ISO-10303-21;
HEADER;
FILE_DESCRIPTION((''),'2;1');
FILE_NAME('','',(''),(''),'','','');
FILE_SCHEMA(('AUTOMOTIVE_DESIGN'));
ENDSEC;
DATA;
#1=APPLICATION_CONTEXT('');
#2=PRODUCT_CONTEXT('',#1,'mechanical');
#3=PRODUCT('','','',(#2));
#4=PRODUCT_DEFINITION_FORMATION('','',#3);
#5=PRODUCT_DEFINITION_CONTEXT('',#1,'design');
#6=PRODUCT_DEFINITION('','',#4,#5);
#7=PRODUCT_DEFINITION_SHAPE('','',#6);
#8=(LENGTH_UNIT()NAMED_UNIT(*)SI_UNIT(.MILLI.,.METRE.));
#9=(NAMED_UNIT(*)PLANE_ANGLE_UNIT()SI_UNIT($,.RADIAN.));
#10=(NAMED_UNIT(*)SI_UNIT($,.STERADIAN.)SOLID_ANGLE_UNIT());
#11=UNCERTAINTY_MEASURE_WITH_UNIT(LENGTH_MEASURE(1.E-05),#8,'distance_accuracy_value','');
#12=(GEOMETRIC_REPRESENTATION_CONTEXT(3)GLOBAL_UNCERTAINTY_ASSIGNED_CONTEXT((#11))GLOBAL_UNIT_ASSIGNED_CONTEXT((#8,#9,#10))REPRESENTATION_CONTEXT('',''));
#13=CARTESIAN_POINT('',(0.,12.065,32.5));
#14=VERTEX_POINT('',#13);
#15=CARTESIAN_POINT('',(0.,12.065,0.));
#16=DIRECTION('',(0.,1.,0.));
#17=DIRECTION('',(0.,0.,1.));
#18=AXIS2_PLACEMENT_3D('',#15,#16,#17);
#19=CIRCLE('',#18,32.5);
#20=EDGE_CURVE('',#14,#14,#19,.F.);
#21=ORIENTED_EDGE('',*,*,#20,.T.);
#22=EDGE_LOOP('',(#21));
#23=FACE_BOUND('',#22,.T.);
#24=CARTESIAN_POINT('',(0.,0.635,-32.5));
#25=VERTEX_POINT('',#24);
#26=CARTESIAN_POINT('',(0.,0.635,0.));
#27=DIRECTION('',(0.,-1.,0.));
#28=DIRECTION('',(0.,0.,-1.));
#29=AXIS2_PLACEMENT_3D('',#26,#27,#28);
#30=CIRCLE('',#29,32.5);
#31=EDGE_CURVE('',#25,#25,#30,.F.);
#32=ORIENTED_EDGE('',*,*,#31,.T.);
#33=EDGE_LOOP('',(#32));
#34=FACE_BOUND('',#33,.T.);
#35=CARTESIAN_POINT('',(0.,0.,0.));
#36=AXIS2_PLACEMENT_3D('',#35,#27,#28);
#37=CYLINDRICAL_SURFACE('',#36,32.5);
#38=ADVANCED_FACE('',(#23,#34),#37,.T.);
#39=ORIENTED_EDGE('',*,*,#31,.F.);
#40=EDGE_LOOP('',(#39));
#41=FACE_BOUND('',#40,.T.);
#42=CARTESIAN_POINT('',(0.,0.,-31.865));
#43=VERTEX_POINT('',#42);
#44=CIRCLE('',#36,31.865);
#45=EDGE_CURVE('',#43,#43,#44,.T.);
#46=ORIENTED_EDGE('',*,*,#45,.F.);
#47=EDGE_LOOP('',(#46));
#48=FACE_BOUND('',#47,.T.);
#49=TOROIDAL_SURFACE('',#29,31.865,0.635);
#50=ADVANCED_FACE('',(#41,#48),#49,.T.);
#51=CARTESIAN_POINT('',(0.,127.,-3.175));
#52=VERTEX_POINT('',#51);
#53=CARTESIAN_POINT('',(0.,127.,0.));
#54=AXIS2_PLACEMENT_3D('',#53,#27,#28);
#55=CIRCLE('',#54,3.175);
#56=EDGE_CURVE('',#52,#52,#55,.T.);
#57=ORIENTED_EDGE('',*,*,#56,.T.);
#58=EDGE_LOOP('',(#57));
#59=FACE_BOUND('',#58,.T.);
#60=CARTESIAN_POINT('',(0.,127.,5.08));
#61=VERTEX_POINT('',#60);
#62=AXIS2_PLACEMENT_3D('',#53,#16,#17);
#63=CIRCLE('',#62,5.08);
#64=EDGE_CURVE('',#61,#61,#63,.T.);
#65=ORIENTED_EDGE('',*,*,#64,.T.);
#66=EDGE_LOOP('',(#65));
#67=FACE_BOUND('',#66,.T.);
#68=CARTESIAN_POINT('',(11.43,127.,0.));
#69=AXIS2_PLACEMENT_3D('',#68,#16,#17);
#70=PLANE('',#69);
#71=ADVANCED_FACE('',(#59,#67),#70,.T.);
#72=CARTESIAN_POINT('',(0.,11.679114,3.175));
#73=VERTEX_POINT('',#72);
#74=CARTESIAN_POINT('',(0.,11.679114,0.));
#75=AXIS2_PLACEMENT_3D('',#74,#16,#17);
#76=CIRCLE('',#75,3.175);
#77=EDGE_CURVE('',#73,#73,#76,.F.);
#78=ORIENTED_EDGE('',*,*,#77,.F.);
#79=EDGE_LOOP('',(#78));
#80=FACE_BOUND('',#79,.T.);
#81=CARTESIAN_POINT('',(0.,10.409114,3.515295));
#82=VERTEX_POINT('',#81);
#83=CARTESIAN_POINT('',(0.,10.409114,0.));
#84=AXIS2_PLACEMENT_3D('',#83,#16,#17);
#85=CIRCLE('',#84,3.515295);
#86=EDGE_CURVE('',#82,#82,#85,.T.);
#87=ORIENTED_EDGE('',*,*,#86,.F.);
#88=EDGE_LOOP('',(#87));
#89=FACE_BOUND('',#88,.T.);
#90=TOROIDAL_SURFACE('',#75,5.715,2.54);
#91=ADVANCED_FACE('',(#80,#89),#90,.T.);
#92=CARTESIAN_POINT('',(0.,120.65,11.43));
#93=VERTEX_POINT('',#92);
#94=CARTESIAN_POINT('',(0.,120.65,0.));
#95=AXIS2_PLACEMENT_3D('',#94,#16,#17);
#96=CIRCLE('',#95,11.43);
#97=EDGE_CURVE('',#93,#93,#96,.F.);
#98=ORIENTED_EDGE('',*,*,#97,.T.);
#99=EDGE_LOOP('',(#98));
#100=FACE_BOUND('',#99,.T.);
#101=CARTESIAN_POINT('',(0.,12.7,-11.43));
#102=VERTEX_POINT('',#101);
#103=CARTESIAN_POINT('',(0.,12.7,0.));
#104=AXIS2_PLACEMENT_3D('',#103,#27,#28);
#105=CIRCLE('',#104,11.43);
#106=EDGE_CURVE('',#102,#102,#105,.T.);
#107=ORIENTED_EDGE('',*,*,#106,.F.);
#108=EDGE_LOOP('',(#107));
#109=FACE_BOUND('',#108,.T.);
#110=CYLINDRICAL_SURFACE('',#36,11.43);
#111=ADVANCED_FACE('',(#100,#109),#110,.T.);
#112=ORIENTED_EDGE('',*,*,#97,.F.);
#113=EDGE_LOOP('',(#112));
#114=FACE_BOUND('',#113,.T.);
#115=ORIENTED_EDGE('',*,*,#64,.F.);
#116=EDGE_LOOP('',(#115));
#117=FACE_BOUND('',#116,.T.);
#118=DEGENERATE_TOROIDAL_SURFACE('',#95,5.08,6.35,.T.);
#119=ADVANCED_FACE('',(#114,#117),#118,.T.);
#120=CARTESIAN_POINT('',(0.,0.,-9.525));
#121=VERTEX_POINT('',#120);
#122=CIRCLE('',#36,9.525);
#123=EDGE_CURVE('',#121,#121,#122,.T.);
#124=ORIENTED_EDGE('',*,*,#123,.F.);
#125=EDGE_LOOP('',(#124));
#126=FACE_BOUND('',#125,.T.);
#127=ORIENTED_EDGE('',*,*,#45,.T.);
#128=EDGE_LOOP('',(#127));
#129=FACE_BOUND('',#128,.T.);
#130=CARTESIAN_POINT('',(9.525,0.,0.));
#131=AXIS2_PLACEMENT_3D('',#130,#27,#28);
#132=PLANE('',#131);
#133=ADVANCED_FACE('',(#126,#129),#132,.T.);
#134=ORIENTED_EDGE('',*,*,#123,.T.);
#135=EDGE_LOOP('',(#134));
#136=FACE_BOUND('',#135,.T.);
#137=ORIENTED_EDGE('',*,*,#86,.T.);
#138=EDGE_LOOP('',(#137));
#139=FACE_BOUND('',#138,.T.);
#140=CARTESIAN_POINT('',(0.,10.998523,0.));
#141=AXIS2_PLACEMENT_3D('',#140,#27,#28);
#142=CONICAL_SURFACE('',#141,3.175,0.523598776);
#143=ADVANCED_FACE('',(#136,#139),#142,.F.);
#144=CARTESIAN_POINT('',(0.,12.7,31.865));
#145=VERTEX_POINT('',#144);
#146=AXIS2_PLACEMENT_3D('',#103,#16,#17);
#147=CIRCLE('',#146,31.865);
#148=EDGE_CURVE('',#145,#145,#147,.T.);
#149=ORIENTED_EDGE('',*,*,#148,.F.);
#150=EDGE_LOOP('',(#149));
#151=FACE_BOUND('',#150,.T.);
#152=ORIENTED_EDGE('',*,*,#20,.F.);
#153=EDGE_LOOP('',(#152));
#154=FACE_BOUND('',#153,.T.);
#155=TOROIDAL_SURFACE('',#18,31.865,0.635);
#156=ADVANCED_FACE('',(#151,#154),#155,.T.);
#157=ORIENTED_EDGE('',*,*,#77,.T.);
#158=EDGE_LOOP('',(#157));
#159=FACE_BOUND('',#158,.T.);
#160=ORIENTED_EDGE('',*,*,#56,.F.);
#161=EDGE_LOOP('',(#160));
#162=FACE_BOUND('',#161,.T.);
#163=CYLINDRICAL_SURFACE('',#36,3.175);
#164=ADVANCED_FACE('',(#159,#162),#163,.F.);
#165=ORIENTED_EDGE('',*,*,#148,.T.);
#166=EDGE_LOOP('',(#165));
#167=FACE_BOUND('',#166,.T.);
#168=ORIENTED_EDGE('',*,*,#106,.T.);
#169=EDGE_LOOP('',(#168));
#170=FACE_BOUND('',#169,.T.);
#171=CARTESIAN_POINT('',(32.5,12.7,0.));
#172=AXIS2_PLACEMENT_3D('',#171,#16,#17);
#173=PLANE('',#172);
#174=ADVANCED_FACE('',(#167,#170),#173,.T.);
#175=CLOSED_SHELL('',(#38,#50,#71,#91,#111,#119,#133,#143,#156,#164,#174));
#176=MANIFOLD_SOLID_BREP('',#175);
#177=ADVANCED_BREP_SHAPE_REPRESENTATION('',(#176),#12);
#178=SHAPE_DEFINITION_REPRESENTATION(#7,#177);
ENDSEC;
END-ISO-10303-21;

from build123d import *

# Parameters (mm, degrees)
FILLET1_R = 6.35
FILLET2_R = 0.635
FILLET3_R = 2.54


with BuildPart() as part:
    # Sketch3 → Revolve1 (revolve)
    with BuildSketch(Plane.XY, mode=Mode.PRIVATE) as revolve1_sk:
        Polygon((3.175, 127), (3.175, 10.998522628), (9.525, 0), (32.500000024, 0), (32.500000024, 12.7), (11.43, 12.7), (11.43, 127), align=None)
    revolve(revolve1_sk.sketch.rotate(Axis((0, 0, 0), (0, 1, 0)), 90), axis=Axis((0, 0, 0), (0, 1, 0)))

    # Fillet1
    fillet1_edges = [part.edges().sort_by_distance(p)[0] for p in [
        (0, 127, 11.43),
    ]]
    fillet(fillet1_edges, radius=FILLET1_R)

    # Fillet2
    fillet2_edges = [part.edges().sort_by_distance(p)[0] for p in [
        (0, 12.7, 32.500000024),
        (0, 0, 32.500000024),
    ]]
    fillet(fillet2_edges, radius=FILLET2_R)

    # Fillet3
    fillet3_edges = [part.edges().sort_by_distance(p)[0] for p in [
        (0, 10.998522628, 3.175),
    ]]
    fillet(fillet3_edges, radius=FILLET3_R)


solid = part.part
